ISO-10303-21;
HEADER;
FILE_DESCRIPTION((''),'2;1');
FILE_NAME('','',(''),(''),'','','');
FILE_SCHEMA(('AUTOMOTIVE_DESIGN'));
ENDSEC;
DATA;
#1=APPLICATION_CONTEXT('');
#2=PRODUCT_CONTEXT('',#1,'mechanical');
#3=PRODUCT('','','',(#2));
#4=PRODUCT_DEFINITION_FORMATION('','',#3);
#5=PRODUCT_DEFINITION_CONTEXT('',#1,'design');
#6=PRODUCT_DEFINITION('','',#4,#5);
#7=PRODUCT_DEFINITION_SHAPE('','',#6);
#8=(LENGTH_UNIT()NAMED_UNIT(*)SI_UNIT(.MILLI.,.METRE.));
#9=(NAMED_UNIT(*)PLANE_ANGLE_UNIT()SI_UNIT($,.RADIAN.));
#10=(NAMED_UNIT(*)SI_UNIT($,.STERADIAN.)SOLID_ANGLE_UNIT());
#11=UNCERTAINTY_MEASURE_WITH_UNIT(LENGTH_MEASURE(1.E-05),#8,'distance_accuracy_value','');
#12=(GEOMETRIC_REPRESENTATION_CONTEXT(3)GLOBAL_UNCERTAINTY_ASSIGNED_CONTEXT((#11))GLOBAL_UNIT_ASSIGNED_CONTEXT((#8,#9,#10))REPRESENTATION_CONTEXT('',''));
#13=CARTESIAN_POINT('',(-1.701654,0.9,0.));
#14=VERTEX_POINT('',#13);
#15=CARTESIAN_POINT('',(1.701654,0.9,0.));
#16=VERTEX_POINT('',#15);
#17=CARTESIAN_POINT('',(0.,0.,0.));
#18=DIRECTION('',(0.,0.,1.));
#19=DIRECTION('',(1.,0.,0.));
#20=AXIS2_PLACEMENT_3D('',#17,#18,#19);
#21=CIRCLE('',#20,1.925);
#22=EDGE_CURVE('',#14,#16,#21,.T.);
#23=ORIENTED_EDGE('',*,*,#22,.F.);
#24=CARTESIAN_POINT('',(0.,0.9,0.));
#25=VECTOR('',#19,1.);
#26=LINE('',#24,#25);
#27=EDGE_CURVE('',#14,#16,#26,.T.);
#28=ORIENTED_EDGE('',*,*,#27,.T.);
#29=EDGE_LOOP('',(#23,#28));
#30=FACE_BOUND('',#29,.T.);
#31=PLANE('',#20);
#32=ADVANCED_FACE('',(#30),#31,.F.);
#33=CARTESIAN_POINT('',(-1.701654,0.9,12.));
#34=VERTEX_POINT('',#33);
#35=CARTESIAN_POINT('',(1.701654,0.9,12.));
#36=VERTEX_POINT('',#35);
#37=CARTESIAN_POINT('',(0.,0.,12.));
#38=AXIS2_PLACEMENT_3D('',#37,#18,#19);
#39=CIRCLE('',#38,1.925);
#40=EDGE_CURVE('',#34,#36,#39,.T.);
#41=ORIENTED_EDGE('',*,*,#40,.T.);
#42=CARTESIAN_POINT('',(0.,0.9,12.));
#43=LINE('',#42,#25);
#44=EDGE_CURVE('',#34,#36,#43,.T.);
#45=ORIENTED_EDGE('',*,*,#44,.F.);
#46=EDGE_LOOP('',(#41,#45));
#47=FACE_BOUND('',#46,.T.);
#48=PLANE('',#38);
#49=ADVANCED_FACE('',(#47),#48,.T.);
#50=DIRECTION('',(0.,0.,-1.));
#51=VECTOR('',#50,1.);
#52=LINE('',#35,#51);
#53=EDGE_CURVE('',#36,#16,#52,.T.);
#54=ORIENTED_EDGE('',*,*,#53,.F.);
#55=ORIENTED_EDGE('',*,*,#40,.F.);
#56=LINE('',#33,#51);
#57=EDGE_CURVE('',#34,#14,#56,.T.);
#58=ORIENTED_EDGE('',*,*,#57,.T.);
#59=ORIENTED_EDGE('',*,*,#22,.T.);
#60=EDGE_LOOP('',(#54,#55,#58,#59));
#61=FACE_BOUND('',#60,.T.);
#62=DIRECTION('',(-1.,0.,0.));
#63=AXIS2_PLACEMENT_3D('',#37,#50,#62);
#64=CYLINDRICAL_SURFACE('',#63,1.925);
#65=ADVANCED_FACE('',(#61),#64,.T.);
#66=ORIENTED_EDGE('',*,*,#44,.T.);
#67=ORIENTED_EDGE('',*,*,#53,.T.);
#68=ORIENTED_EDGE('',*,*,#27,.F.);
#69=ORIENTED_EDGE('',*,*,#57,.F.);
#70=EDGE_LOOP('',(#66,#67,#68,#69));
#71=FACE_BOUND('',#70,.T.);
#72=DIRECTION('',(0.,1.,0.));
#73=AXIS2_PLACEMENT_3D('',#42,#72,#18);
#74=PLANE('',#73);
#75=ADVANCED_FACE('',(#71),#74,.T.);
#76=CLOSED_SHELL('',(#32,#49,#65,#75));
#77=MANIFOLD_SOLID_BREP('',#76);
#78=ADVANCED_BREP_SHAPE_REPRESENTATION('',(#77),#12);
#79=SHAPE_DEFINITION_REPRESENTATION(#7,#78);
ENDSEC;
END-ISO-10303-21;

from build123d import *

# Parameters (mm, degrees)
BOSS_EXTRUDE1_DEPTH = 12


with BuildPart() as part:
    # Sketch1 → Boss-Extrude1 (new body)
    with BuildSketch(Plane.XY):
        with BuildLine():
            Line((1.701653608, 0.9), (-1.701653608, 0.9))
            ThreePointArc((-1.701653608, 0.9), (-0.463649547, -1.868329226), (1.925, 0))
            ThreePointArc((1.925, 0), (1.868329226, 0.463649547), (1.701653608, 0.9))
        make_face()
    extrude(amount=BOSS_EXTRUDE1_DEPTH)


solid = part.part
